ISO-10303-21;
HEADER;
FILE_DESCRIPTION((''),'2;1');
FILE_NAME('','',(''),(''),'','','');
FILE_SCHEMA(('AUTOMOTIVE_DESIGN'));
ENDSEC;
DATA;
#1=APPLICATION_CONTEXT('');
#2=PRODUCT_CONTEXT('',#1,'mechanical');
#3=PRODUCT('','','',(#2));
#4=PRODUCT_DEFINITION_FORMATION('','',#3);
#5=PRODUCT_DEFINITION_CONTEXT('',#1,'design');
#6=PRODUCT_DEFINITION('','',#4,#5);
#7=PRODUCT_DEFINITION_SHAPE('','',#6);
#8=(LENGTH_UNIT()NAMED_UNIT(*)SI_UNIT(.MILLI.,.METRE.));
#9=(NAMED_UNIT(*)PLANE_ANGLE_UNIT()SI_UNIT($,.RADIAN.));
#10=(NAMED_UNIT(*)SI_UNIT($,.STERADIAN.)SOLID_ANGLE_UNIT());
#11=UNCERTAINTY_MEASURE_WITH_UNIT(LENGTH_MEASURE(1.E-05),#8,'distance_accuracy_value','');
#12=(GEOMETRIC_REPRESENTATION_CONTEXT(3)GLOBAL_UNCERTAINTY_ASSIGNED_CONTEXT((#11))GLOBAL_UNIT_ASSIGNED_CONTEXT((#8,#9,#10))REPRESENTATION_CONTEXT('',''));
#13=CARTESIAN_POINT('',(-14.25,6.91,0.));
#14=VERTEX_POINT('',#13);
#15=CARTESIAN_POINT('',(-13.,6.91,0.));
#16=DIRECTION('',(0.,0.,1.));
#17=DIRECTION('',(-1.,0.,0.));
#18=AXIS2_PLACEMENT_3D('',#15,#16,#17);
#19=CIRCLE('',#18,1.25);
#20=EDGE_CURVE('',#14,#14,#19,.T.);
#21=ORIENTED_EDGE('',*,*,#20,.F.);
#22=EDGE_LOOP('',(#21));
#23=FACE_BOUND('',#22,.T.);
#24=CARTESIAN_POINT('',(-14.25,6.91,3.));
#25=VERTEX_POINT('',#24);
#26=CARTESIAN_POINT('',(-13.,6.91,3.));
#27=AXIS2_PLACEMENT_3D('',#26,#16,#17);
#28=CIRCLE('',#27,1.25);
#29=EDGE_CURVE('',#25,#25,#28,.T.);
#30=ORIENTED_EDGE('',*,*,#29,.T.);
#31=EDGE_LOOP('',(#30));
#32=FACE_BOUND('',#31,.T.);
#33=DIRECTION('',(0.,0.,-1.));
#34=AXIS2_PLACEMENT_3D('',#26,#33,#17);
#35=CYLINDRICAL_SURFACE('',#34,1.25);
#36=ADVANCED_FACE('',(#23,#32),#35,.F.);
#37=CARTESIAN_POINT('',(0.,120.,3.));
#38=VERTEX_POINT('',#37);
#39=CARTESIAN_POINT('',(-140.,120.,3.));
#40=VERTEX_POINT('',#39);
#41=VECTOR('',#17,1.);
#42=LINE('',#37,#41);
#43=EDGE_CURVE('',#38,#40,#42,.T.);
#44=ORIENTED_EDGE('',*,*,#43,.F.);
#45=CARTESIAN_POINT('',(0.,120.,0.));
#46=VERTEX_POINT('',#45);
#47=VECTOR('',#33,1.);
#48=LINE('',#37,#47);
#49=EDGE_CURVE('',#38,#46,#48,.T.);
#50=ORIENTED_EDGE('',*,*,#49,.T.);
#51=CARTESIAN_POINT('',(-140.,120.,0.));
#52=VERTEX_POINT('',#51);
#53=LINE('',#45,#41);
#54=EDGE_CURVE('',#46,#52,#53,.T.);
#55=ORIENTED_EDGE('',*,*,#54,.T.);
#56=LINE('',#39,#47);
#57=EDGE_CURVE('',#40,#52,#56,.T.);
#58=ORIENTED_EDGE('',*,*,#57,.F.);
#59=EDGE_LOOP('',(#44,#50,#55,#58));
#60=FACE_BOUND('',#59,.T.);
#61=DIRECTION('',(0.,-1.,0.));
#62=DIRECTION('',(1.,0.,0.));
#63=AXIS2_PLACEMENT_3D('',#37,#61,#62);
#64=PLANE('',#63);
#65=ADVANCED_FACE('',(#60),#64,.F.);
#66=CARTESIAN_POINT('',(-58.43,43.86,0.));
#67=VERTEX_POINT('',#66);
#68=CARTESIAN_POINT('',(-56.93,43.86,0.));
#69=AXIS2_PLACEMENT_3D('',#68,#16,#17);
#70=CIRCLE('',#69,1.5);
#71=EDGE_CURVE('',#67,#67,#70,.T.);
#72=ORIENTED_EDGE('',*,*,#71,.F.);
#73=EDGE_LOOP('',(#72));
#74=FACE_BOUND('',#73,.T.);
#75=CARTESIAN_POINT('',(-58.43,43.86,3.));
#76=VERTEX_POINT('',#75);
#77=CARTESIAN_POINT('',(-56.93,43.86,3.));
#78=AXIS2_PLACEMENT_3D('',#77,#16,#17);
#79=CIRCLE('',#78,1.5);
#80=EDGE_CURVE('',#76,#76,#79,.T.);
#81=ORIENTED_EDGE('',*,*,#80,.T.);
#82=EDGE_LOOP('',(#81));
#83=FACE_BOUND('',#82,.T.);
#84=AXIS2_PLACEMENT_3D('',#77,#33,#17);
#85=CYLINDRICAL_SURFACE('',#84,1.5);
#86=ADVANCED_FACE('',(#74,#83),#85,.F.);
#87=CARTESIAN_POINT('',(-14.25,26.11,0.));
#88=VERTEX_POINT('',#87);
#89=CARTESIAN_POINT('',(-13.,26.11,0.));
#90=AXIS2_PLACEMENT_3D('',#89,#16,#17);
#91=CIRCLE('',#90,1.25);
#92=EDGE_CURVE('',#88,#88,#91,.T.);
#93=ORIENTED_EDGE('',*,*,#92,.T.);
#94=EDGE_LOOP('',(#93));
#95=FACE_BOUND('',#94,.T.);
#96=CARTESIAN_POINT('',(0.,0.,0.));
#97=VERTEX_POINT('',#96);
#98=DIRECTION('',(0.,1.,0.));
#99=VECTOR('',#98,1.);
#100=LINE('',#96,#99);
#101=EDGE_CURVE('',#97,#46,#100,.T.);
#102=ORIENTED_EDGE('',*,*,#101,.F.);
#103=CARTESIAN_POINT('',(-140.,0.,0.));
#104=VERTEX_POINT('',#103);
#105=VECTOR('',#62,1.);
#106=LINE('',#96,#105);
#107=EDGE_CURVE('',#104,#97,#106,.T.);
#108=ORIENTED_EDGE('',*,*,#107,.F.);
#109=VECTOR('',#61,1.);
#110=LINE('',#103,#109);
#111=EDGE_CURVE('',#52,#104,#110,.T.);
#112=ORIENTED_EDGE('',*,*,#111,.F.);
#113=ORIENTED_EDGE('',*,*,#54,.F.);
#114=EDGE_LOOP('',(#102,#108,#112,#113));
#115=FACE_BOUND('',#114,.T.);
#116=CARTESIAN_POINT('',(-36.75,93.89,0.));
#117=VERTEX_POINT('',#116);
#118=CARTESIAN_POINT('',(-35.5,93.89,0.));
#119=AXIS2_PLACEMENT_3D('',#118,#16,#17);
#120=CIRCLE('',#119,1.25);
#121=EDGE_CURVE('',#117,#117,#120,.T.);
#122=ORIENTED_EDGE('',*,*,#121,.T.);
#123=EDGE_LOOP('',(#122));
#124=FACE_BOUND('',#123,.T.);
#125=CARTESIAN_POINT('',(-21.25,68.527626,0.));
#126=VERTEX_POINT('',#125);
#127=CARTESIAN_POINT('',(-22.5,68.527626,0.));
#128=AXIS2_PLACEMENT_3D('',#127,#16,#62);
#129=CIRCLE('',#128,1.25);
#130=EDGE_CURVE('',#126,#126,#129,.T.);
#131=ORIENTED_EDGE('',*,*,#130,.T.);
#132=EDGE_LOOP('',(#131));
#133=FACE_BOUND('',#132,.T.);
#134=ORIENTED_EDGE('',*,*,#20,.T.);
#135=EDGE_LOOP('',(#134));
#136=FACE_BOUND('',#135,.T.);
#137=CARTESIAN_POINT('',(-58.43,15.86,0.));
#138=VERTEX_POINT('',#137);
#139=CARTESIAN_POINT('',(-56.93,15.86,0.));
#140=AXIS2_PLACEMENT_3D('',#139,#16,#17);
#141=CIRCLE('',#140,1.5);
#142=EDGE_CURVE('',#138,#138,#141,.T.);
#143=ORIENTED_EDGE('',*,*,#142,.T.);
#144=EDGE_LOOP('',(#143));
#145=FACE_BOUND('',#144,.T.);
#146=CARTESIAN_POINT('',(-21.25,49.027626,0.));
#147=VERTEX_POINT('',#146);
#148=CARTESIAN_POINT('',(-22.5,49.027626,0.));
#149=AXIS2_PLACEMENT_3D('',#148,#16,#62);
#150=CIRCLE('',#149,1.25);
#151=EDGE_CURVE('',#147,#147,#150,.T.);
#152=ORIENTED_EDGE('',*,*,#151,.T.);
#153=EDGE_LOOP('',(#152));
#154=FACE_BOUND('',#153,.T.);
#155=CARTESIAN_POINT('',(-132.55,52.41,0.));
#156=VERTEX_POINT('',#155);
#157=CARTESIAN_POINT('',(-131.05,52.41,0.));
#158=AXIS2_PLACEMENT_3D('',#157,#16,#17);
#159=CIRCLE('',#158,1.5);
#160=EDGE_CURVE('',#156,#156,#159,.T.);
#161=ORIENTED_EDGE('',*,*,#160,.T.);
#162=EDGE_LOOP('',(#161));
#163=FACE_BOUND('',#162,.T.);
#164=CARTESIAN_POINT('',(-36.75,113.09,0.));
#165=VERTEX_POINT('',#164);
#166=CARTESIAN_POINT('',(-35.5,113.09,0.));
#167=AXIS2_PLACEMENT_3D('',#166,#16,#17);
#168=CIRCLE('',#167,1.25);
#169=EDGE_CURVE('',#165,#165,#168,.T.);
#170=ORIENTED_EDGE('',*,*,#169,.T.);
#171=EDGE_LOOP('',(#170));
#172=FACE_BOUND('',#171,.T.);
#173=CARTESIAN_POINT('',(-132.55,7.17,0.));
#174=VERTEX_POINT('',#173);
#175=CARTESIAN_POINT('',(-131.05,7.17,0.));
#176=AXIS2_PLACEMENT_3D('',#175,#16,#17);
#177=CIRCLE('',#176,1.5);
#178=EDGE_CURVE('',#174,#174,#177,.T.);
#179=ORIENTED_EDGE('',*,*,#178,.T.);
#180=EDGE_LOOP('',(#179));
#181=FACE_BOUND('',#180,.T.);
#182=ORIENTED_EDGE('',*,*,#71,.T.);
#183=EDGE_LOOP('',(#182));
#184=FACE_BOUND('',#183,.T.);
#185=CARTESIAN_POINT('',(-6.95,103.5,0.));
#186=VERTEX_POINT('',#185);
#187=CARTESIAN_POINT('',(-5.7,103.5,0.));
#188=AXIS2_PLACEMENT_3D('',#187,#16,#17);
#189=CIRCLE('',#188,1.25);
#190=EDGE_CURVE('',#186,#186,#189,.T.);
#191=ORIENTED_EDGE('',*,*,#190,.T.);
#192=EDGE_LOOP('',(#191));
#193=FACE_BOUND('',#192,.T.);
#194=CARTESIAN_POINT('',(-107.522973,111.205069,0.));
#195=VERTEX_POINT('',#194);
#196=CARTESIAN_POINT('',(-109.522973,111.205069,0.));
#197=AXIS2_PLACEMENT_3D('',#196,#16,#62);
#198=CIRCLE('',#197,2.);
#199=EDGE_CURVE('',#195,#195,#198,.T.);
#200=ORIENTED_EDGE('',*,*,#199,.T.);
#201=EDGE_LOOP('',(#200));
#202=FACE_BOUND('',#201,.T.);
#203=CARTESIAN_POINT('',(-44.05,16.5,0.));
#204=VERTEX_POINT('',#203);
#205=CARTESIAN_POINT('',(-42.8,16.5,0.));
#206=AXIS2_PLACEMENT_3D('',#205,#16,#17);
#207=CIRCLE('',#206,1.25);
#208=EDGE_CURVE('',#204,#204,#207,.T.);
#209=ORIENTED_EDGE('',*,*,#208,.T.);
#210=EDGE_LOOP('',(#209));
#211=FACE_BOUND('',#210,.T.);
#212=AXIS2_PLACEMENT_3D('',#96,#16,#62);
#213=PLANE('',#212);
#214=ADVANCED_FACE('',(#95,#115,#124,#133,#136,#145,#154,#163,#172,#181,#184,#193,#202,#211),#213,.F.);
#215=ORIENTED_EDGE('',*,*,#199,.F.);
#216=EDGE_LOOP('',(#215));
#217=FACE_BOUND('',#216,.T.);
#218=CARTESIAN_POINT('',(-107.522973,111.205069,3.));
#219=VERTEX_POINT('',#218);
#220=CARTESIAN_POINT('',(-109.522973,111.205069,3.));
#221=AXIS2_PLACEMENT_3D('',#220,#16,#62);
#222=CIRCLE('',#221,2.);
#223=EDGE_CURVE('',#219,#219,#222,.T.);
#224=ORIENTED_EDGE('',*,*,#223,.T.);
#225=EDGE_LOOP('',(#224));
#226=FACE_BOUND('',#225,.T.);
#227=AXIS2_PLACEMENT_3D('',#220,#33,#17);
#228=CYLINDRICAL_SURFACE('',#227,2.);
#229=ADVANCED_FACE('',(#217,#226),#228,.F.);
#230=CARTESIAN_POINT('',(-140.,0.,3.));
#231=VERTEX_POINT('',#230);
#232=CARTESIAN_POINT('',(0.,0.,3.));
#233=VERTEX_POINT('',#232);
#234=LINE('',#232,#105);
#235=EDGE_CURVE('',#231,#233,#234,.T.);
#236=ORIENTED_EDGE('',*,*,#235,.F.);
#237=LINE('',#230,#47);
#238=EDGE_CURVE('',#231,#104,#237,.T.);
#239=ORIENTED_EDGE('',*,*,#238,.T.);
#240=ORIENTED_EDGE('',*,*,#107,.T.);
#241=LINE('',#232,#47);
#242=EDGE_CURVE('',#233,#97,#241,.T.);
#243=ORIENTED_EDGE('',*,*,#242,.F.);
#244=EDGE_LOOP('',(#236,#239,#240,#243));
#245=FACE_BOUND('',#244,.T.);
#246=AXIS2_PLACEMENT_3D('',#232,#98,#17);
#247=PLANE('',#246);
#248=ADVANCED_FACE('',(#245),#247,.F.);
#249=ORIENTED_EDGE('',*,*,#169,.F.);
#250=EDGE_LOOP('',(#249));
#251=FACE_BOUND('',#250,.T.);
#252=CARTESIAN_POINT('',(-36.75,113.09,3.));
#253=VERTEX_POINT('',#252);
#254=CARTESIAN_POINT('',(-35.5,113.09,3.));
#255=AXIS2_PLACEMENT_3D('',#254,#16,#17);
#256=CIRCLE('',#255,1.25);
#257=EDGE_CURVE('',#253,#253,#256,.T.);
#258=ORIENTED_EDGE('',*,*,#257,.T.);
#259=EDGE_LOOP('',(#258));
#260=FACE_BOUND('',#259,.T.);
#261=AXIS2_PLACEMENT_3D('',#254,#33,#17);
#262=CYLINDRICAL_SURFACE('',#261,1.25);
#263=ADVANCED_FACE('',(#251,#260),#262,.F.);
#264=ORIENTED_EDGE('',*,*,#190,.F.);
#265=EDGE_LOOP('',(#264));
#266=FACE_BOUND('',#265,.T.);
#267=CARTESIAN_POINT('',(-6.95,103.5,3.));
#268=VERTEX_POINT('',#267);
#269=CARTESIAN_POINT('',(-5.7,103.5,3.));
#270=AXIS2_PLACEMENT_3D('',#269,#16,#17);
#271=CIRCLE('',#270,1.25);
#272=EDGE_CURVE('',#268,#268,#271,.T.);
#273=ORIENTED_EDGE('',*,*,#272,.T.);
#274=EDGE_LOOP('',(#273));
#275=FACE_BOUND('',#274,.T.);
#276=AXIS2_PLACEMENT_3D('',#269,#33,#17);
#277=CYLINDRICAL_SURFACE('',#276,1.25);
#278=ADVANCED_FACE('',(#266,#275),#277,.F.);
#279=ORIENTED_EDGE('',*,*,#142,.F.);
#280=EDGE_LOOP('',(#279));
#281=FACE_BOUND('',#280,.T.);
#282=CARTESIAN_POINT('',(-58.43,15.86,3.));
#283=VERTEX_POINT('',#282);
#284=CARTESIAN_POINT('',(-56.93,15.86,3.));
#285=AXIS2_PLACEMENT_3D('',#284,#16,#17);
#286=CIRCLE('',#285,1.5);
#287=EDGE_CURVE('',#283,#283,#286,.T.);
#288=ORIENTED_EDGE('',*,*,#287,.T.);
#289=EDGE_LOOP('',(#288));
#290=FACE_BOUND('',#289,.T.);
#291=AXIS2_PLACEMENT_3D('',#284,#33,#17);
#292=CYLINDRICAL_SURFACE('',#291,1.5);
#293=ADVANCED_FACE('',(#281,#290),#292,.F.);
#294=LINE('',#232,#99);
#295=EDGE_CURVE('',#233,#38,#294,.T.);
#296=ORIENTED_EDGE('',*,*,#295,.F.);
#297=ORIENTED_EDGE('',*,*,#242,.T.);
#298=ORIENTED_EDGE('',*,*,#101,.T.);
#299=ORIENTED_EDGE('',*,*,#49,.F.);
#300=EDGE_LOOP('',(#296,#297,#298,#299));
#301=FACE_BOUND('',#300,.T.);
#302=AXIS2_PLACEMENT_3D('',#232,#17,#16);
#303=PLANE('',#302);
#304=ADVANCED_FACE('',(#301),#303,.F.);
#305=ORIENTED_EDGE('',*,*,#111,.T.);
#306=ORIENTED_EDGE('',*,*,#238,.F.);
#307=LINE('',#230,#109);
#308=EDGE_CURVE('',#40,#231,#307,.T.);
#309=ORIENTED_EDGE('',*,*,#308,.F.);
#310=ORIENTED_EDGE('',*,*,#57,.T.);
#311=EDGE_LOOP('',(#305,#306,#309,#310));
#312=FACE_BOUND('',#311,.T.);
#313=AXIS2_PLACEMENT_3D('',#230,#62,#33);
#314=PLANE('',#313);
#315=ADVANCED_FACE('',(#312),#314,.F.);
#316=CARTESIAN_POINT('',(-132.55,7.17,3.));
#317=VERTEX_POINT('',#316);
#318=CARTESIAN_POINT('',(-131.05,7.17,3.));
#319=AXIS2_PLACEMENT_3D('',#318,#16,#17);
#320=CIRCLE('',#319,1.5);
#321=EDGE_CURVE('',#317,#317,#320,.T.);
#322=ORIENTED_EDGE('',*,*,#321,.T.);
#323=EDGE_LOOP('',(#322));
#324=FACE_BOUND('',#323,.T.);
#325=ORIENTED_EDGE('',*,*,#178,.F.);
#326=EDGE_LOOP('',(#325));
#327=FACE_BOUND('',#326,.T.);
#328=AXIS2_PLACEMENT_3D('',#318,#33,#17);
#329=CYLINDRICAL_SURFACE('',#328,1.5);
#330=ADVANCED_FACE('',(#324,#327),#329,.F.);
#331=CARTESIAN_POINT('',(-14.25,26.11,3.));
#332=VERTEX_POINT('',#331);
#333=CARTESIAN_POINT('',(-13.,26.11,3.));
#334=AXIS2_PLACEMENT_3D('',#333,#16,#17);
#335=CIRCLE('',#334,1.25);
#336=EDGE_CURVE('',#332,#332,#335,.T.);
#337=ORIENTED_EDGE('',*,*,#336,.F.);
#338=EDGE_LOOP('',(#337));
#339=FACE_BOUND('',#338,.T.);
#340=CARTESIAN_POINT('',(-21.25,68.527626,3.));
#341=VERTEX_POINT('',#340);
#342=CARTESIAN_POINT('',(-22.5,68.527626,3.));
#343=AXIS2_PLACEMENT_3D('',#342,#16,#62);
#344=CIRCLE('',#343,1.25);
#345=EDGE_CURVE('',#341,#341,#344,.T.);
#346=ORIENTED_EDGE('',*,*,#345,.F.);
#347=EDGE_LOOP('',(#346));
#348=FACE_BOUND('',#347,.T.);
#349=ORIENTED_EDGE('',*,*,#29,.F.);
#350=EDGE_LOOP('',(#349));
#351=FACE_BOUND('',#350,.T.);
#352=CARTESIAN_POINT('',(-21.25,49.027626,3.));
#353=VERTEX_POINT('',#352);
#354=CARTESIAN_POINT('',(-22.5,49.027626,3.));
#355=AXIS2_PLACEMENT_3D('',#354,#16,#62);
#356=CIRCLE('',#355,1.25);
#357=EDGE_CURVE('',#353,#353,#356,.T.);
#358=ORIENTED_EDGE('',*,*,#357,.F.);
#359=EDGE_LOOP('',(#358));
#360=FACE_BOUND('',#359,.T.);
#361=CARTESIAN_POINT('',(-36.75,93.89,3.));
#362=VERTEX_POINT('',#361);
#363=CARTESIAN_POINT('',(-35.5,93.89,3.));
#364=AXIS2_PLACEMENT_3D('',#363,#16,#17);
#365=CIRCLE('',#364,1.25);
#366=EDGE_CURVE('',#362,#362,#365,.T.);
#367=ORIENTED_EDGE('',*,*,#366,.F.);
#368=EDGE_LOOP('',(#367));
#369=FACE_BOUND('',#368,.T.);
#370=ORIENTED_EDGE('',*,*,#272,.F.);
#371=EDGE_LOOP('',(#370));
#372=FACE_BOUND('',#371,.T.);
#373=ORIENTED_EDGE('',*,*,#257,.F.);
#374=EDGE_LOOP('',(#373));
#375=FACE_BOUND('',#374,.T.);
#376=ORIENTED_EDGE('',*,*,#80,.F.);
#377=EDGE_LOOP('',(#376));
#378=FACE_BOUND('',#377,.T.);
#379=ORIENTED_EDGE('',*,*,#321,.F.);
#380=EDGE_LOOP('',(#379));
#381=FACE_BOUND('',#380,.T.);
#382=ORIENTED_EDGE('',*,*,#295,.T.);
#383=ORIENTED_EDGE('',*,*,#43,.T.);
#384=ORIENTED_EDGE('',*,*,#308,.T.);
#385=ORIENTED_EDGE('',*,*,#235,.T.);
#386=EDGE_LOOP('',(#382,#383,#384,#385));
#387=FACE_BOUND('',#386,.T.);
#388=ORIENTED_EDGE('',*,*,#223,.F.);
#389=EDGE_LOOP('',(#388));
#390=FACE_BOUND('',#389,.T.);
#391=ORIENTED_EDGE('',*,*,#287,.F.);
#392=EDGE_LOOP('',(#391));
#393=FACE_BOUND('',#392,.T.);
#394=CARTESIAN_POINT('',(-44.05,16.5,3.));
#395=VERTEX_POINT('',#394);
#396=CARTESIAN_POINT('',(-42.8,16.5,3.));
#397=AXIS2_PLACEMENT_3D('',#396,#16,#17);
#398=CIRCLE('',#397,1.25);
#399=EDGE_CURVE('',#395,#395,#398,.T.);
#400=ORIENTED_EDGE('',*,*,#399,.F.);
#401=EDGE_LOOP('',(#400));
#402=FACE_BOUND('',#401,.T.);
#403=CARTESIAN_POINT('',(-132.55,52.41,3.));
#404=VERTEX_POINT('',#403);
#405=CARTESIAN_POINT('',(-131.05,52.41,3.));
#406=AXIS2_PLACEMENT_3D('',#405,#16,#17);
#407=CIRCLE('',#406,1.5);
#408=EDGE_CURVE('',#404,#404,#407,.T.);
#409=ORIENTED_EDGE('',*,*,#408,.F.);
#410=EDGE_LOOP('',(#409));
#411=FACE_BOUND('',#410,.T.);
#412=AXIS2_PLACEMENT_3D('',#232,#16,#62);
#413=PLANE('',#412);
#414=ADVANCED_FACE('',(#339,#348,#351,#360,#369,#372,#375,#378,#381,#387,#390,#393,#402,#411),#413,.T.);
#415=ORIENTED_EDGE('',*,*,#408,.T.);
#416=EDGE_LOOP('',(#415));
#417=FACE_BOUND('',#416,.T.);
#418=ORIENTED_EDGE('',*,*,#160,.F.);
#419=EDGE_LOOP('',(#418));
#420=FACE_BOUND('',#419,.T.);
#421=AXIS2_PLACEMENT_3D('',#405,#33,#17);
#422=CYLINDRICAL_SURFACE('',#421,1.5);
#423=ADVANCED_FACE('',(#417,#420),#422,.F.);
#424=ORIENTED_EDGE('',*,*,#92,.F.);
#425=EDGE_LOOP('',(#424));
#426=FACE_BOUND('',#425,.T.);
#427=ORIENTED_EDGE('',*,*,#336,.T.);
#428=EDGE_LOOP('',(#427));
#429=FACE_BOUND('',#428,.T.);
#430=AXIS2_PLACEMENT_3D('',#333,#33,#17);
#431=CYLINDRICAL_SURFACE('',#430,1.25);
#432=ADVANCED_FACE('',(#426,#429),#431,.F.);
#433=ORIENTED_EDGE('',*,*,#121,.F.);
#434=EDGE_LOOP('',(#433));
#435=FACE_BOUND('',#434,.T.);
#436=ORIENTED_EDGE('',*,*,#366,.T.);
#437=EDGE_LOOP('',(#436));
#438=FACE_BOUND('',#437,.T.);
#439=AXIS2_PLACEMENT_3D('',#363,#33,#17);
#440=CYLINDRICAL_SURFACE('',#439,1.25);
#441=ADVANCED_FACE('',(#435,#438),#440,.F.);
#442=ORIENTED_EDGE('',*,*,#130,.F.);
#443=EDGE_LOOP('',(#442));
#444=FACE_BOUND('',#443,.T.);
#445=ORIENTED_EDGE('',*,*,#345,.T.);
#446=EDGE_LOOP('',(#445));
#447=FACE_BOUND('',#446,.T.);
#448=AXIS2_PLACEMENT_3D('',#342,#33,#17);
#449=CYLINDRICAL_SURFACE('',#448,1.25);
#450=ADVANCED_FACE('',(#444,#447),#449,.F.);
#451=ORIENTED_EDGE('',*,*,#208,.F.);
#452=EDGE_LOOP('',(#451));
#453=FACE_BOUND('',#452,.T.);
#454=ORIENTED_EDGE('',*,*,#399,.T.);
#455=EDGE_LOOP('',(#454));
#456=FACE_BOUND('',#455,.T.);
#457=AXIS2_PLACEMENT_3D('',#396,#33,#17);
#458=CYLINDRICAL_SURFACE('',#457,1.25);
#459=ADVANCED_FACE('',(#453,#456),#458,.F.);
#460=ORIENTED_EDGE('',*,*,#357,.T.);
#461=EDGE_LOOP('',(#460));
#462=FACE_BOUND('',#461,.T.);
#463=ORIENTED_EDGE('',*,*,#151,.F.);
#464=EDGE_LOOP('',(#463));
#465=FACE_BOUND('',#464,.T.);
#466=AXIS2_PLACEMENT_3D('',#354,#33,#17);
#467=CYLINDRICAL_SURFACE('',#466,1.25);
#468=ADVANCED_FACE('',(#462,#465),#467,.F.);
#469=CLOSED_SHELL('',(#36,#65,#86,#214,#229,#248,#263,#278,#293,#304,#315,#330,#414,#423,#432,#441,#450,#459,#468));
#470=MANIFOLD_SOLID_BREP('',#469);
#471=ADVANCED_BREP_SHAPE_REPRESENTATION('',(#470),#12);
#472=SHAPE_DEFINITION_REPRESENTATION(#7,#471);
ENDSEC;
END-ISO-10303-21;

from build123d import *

# Parameters (mm, degrees)
SKETCH1_W           = 140
SKETCH1_H           = 120
SKETCH1_R           = 2
SKETCH1_R_2         = 1.5
SKETCH1_R_3         = 1.25
BOSS_EXTRUDE1_DEPTH = 3


with BuildPart() as part:
    # Sketch1 → Boss-Extrude1 (new body)
    with BuildSketch(Plane.XY):
        with Locations((-70, 60)):
            Rectangle(SKETCH1_W, SKETCH1_H)
        with Locations((-109.522973194, 111.205068666)):
            Circle(SKETCH1_R, mode=Mode.SUBTRACT)
        with Locations((-131.05, 7.17)):
            Circle(SKETCH1_R_2, mode=Mode.SUBTRACT)
        with Locations((-131.05, 52.41)):
            Circle(SKETCH1_R_2, mode=Mode.SUBTRACT)
        with Locations((-56.93, 15.86)):
            Circle(SKETCH1_R_2, mode=Mode.SUBTRACT)
        with Locations((-56.93, 43.86)):
            Circle(SKETCH1_R_2, mode=Mode.SUBTRACT)
        with Locations((-13, 6.91)):
            Circle(SKETCH1_R_3, mode=Mode.SUBTRACT)
        with Locations((-13, 26.11)):
            Circle(SKETCH1_R_3, mode=Mode.SUBTRACT)
        with Locations((-42.8, 16.5)):
            Circle(SKETCH1_R_3, mode=Mode.SUBTRACT)
        with Locations((-35.5, 93.89)):
            Circle(SKETCH1_R_3, mode=Mode.SUBTRACT)
        with Locations((-35.5, 113.09)):
            Circle(SKETCH1_R_3, mode=Mode.SUBTRACT)
        with Locations((-5.7, 103.5)):
            Circle(SKETCH1_R_3, mode=Mode.SUBTRACT)
        with Locations((-22.5, 68.527626294)):
            Circle(SKETCH1_R_3, mode=Mode.SUBTRACT)
        with Locations((-22.5, 49.027626294)):
            Circle(SKETCH1_R_3, mode=Mode.SUBTRACT)
    extrude(amount=BOSS_EXTRUDE1_DEPTH)


solid = part.part
